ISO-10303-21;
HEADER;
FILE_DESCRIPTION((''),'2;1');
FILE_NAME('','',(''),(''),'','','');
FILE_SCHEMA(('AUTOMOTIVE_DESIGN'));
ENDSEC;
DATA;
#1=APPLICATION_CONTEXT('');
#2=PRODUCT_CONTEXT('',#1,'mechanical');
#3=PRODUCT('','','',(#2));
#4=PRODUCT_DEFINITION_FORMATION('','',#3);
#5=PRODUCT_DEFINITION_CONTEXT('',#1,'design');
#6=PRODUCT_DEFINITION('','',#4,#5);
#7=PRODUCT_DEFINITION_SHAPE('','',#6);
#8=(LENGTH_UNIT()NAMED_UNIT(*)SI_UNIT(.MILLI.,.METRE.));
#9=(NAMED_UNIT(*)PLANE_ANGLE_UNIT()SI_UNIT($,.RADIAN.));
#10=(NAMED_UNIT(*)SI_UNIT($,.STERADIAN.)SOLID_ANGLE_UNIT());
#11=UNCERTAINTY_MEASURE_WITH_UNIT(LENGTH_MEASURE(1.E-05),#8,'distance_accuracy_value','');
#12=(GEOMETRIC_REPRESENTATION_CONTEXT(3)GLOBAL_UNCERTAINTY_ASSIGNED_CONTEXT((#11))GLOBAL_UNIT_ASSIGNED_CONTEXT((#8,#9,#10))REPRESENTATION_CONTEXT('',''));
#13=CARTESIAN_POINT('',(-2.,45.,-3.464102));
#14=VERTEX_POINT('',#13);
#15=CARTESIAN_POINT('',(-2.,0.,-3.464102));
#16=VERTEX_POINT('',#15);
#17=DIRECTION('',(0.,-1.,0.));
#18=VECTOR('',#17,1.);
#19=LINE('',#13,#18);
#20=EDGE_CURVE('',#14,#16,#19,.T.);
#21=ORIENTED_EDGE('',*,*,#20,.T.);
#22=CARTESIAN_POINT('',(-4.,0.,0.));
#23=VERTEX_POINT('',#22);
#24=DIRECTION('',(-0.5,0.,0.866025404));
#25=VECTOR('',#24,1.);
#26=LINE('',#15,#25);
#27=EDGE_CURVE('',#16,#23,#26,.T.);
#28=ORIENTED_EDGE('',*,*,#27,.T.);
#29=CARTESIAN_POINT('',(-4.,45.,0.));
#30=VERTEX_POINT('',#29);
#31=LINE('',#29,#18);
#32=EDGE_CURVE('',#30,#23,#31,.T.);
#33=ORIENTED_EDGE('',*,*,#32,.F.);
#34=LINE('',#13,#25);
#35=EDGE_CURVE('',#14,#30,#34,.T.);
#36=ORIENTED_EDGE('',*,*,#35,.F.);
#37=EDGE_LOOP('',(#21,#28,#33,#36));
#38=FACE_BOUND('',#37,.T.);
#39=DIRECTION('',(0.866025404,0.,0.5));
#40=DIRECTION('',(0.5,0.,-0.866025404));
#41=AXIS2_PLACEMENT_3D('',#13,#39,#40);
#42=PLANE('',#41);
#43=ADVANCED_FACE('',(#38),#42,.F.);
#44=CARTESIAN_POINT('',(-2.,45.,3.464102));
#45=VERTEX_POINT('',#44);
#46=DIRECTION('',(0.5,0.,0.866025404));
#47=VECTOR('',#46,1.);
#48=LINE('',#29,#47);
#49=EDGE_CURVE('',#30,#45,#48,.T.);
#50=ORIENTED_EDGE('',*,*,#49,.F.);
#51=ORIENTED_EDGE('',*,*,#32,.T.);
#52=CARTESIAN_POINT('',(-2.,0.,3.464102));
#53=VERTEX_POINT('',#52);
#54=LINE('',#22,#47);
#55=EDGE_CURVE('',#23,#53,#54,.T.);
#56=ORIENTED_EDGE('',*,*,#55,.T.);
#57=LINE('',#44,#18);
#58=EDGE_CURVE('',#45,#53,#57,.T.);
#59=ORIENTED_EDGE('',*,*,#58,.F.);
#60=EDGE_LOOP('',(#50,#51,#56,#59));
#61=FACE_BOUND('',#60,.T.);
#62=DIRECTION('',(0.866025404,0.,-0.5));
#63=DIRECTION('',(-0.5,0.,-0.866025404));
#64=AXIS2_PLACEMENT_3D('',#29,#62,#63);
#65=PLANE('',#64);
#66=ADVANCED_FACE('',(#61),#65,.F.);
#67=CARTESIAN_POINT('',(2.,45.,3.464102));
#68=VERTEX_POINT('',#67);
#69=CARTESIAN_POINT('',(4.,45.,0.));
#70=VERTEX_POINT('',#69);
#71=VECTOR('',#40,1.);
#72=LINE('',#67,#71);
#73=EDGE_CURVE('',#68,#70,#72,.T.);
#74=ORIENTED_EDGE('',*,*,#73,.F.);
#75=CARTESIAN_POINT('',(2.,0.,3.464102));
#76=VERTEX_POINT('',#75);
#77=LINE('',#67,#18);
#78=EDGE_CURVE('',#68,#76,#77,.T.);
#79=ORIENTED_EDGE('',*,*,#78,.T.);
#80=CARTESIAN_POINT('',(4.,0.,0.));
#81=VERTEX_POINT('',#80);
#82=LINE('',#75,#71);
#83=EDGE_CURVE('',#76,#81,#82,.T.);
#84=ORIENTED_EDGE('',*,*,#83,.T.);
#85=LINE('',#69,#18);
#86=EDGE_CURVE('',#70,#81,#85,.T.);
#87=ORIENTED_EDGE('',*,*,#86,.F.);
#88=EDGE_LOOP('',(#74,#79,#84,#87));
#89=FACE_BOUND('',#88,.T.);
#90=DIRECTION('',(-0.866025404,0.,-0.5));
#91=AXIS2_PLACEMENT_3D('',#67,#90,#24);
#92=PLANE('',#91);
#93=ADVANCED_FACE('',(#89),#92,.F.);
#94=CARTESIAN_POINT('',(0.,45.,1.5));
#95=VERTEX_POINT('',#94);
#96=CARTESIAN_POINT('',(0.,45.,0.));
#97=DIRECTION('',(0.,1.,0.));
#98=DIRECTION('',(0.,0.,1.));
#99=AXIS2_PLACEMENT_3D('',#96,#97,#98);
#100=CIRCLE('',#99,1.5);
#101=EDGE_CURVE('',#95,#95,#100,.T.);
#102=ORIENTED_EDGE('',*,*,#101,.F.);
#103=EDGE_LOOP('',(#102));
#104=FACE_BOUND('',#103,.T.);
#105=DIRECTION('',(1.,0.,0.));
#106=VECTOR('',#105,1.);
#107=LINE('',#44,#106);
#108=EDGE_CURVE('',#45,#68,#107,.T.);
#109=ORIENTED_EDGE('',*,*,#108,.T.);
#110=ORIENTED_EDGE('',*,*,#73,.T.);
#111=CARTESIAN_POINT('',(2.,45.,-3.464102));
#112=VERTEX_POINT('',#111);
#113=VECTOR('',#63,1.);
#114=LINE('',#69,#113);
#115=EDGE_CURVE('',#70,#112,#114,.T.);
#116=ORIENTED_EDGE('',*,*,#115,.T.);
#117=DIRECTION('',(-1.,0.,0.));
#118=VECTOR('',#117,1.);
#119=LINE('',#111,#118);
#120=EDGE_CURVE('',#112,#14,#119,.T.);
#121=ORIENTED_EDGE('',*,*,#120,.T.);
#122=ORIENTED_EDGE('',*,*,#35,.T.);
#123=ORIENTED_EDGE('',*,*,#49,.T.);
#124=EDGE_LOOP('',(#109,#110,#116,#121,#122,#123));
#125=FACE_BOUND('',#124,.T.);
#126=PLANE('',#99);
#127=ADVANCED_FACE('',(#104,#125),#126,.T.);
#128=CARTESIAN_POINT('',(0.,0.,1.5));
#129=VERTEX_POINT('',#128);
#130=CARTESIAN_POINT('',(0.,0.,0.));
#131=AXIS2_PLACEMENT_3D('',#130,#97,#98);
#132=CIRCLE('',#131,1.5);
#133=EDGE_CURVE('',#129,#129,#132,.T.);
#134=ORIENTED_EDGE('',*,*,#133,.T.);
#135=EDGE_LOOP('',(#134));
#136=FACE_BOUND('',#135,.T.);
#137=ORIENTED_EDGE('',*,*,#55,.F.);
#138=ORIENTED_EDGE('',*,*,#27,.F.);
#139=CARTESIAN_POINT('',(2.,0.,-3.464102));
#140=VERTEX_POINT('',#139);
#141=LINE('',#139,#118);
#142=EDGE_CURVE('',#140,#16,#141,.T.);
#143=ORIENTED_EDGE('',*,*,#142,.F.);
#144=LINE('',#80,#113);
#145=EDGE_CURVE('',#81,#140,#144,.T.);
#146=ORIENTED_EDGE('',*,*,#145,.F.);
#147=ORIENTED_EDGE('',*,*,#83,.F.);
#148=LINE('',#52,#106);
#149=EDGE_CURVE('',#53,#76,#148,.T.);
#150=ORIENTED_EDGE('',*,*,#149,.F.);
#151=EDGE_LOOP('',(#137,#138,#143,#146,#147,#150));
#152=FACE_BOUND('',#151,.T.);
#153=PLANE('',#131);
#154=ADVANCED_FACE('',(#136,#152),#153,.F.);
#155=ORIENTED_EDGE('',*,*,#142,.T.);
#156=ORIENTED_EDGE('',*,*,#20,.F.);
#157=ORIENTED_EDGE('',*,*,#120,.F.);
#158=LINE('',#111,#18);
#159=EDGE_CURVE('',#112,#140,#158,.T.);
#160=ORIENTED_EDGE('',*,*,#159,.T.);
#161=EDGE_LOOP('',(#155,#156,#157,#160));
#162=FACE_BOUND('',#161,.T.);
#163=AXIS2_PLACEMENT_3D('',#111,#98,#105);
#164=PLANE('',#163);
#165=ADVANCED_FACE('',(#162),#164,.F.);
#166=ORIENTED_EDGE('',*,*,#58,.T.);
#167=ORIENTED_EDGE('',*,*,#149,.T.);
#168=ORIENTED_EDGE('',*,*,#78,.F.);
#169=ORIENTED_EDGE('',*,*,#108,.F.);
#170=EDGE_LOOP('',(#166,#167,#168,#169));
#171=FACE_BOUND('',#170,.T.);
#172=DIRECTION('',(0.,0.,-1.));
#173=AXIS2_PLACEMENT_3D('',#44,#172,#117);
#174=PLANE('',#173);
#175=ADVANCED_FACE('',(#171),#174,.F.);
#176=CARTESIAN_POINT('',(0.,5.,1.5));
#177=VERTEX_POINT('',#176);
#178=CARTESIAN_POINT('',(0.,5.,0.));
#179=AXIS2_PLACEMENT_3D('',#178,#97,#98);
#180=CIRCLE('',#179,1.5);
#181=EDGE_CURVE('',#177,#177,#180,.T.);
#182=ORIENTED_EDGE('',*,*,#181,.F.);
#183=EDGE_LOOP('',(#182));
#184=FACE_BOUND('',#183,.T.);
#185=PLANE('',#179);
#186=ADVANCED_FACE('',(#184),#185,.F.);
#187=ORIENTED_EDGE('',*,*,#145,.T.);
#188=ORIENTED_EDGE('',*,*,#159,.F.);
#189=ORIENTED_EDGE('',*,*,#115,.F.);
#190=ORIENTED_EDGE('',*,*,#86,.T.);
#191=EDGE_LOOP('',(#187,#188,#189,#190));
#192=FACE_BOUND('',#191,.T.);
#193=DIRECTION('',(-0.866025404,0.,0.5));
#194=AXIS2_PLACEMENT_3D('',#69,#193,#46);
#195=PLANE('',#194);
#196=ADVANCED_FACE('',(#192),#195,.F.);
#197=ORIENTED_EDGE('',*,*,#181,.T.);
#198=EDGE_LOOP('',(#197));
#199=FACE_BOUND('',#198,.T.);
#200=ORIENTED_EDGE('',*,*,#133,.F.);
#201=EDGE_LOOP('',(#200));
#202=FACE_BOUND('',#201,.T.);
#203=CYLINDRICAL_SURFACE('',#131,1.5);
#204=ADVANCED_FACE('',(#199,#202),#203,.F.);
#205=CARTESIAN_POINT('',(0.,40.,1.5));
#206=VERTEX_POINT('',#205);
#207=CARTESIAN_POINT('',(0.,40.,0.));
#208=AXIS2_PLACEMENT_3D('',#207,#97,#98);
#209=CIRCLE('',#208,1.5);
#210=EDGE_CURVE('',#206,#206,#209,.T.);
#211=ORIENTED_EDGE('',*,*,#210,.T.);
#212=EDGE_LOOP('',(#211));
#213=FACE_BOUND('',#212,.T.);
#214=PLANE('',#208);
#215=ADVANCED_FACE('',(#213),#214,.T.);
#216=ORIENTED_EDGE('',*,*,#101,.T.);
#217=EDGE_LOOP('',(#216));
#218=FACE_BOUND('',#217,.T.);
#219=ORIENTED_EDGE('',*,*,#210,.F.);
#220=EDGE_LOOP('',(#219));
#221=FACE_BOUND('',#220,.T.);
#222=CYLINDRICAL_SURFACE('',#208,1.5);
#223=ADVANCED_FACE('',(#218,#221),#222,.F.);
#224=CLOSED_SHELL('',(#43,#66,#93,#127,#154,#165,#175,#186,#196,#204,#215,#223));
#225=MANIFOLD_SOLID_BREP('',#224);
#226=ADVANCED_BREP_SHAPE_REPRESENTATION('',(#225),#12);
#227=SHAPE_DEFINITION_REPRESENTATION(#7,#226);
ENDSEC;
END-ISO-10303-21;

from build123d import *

# Parameters (mm, degrees)
EXTRUDE_1_DEPTH        = 45
SKETCH_2_R             = 1.5
CUT_EXTRUDE_1_DEPTH    = 5
PATTERN_LINEAR_1_COUNT = 2
PATTERN_LINEAR_1_PITCH = 40


with BuildPart() as part:
    # 草图1 → 凸台-拉伸1 (new body)
    with BuildSketch(Plane(origin=(0, 0, 0), x_dir=(1, 0, 0), z_dir=(0, 1, 0))):
        Polygon((4, 0), (2, 3.464101615), (-2, 3.464101615), (-4, 0), (-2, -3.464101615), (2, -3.464101615), align=None)
    extrude(amount=EXTRUDE_1_DEPTH)

    # 草图2 → 切除-拉伸1 (cut)
    with BuildSketch(Plane(origin=(0, 45, 0), x_dir=(1, 0, 0), z_dir=(0, 1, 0))):
        with Locations(Location((0, 0, 0), (0, 0, 270))):
            Circle(SKETCH_2_R)
    cut_extrude_1 = extrude(amount=-CUT_EXTRUDE_1_DEPTH, mode=Mode.SUBTRACT)

    # 阵列(线性)1: 切除-拉伸1 ×2
    with Locations(*[(0, -i * PATTERN_LINEAR_1_PITCH, 0) for i in range(1, PATTERN_LINEAR_1_COUNT)]):
        add(cut_extrude_1, mode=Mode.SUBTRACT)


solid = part.part
